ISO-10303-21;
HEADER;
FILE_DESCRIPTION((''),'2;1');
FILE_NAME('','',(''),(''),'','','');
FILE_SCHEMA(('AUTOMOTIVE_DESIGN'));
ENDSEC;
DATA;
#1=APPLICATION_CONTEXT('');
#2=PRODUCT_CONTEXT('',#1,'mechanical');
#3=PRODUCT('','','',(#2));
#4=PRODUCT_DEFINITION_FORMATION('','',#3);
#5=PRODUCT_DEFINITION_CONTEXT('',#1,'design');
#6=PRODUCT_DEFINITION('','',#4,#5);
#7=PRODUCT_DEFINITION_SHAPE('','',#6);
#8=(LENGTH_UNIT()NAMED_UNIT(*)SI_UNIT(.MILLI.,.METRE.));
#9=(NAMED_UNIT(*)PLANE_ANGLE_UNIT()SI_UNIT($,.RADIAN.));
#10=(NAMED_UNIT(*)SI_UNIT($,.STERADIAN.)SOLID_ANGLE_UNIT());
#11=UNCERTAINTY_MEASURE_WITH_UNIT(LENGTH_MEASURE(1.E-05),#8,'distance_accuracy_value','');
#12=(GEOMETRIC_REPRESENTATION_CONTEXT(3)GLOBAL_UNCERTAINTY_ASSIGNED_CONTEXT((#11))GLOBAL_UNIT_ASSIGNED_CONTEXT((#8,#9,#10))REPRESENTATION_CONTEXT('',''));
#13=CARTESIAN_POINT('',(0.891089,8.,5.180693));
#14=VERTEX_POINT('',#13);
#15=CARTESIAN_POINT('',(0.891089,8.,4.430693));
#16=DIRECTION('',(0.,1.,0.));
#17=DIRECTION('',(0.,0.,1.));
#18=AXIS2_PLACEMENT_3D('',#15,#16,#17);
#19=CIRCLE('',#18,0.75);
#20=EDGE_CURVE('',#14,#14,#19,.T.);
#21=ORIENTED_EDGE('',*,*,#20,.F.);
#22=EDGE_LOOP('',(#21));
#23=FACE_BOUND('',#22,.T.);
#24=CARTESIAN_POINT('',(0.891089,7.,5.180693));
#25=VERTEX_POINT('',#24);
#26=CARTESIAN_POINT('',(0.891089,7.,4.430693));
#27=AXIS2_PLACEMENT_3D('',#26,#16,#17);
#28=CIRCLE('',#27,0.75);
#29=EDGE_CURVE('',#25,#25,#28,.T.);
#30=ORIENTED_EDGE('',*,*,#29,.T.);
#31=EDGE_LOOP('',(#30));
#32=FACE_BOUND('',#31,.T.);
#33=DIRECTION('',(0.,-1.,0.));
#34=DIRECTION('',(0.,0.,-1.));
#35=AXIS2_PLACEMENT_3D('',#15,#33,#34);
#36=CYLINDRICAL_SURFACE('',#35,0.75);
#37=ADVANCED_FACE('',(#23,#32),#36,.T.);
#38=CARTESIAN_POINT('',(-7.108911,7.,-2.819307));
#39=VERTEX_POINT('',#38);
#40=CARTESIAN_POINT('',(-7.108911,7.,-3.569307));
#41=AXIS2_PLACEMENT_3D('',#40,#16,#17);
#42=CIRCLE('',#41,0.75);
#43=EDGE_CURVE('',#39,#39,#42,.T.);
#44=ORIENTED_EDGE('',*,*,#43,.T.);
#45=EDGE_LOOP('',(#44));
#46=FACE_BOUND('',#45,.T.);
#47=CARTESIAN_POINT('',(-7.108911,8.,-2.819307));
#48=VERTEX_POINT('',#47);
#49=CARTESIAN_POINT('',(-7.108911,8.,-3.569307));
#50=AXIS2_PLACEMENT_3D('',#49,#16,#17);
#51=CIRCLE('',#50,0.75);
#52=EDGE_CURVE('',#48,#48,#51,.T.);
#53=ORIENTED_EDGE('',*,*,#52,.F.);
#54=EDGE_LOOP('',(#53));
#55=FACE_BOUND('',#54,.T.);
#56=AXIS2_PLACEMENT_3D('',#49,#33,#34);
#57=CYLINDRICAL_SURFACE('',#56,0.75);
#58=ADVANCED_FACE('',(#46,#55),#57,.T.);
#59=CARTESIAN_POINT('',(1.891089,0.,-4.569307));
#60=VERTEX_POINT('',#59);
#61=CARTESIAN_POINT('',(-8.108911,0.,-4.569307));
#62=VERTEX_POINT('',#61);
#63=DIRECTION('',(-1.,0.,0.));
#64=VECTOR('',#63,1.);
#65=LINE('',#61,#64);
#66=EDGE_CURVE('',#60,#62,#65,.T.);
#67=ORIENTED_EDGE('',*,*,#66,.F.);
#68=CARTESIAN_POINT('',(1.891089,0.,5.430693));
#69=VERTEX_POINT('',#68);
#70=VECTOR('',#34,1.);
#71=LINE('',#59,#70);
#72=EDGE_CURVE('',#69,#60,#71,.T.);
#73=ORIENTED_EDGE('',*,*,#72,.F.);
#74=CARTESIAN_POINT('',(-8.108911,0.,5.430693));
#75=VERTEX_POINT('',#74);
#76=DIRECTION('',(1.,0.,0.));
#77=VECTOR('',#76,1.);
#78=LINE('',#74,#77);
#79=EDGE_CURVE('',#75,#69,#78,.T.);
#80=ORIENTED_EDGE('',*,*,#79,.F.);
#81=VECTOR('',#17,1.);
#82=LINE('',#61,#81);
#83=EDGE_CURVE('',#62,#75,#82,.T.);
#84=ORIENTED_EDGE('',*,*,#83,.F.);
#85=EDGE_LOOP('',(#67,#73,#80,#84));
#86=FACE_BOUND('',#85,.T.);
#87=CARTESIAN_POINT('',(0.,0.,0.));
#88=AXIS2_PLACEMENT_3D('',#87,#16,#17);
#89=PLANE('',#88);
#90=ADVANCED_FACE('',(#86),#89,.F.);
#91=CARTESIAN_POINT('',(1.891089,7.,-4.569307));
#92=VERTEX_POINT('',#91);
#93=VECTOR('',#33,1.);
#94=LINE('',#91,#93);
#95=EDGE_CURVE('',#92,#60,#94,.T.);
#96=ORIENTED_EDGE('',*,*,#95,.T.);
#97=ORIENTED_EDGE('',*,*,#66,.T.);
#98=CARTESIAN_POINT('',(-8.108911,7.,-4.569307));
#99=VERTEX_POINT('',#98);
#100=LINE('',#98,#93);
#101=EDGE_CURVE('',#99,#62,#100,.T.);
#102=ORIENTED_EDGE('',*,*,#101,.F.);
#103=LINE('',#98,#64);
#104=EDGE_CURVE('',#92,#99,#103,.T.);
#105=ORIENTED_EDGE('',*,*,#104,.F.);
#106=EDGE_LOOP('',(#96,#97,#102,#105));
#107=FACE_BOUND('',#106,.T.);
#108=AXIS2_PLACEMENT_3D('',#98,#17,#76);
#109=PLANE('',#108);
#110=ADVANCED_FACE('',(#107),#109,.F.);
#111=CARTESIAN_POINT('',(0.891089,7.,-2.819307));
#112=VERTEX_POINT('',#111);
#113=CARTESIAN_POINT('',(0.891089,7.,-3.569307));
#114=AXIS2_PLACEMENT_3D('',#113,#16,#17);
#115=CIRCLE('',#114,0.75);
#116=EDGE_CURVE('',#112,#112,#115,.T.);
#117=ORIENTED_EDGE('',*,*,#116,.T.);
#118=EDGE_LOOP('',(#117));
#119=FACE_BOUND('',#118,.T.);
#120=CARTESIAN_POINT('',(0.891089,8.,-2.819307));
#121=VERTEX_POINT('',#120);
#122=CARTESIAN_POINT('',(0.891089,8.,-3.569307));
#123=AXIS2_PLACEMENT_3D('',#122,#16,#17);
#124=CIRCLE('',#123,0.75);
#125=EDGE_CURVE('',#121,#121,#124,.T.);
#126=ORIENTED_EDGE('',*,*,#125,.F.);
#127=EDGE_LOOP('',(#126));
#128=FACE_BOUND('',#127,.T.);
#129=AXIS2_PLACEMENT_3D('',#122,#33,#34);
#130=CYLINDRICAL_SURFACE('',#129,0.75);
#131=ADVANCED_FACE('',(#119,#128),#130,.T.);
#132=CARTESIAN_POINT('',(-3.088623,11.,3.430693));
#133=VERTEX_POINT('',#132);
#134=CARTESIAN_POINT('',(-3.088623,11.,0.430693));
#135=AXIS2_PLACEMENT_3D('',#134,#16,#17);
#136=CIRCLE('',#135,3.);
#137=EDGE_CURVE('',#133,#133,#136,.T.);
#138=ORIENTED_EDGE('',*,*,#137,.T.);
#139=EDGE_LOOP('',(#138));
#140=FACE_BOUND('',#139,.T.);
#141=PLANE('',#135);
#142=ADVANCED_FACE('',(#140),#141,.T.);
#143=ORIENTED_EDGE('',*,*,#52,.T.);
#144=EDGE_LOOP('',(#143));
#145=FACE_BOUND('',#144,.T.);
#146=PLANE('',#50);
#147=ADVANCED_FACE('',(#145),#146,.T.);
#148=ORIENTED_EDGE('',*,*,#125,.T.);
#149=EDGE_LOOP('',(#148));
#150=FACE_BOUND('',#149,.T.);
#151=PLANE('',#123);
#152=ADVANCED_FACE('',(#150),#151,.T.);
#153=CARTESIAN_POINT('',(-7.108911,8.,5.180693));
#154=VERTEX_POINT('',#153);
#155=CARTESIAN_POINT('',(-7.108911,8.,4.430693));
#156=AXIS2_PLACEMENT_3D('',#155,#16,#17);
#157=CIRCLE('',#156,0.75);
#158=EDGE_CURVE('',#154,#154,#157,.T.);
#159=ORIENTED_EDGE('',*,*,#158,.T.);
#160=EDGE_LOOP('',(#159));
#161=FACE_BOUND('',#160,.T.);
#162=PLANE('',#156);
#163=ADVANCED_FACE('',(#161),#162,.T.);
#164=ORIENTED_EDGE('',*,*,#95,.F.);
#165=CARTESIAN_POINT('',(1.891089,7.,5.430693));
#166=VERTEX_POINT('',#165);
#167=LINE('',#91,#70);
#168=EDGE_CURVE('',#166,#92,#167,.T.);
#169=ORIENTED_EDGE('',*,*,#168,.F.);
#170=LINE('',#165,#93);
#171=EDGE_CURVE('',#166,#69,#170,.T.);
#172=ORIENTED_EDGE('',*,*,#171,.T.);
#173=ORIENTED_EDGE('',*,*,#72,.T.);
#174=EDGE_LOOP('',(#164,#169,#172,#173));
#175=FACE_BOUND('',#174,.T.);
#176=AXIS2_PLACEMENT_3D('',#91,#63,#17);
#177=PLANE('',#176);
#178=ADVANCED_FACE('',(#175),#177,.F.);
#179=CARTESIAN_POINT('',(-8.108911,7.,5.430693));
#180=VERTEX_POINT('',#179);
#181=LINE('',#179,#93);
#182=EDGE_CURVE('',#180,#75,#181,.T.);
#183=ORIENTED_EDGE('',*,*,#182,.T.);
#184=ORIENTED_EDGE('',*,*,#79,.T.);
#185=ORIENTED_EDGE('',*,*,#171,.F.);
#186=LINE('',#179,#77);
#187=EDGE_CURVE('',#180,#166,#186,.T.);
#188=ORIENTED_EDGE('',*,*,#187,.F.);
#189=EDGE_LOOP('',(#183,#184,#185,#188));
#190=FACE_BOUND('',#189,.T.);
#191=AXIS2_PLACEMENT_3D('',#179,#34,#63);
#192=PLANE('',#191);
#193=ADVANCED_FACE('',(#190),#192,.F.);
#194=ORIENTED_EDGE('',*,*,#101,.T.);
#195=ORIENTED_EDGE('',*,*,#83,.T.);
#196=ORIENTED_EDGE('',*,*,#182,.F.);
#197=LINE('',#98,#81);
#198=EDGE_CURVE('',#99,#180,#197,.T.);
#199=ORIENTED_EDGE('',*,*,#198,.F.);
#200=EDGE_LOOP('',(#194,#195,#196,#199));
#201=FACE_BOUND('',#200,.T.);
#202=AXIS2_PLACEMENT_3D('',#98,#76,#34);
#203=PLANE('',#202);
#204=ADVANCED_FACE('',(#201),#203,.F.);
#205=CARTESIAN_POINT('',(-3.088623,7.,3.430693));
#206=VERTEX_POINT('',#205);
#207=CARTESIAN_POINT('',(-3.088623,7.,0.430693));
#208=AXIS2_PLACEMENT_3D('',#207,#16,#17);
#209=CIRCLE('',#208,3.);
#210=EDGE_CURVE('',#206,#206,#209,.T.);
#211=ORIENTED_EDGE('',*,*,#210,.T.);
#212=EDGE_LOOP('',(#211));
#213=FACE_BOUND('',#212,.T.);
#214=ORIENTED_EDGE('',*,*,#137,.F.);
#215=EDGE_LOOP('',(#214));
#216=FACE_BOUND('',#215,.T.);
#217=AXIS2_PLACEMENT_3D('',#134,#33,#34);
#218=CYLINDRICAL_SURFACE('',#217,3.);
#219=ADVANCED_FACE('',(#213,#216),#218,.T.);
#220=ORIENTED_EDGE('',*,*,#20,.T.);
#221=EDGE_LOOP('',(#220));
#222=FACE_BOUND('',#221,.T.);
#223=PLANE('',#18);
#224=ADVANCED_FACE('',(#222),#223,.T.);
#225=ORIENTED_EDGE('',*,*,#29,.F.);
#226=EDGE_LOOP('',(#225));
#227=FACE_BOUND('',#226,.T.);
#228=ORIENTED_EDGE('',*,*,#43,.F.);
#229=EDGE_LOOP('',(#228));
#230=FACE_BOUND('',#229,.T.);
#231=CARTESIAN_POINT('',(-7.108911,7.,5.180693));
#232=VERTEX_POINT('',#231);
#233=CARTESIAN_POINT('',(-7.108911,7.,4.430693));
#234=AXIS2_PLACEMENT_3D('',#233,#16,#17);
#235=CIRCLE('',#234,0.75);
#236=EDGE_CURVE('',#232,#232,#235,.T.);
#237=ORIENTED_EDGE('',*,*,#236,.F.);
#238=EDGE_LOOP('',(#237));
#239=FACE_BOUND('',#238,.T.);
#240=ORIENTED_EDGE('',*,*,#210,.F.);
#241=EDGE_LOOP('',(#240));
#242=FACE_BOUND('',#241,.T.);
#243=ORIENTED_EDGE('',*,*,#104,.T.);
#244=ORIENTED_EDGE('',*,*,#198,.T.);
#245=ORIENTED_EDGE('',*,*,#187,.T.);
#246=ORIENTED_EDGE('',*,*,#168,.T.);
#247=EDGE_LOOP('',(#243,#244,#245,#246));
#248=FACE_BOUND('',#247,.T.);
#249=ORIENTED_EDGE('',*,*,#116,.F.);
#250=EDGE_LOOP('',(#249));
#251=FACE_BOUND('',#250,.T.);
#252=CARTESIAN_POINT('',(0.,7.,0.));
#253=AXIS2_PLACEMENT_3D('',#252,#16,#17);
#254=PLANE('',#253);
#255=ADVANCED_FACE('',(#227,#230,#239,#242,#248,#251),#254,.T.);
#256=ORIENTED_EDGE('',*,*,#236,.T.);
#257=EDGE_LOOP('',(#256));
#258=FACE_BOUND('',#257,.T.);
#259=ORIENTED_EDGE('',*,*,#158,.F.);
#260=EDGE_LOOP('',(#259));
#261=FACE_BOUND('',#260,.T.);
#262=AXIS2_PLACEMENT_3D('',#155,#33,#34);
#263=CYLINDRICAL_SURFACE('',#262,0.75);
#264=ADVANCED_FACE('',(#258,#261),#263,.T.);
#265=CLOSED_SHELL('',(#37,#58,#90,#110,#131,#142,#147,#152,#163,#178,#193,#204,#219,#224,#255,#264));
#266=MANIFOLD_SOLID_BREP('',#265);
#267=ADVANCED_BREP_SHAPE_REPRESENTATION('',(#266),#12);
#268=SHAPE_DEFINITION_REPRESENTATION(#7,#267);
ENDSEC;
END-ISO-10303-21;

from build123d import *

# Parameters (mm, degrees)
SKETCH1_W           = 10
SKETCH1_H           = 10
BOSS_EXTRUDE1_DEPTH = 7
SKETCH3_R           = 0.75
BOSS_EXTRUDE2_DEPTH = 1
SKETCH4_R           = 3
BOSS_EXTRUDE4_DEPTH = 4


with BuildPart() as part:
    # Sketch1 → Boss-Extrude1 (new body)
    with BuildSketch(Plane(origin=(0, 0, 0), x_dir=(1, 0, 0), z_dir=(0, 1, 0))):
        with Locations((-3.108910891, -0.430693069)):
            Rectangle(SKETCH1_W, SKETCH1_H)
    extrude(amount=BOSS_EXTRUDE1_DEPTH)

    # Sketch3 → Boss-Extrude2 (add)
    with BuildSketch(Plane(origin=(0, 7, 0), x_dir=(1, 0, 0), z_dir=(0, 1, 0))):
        with Locations((-7.108910891, 3.569306931)):
            Circle(SKETCH3_R)
        with Locations((-7.108910891, -4.430693069)):
            Circle(SKETCH3_R)
        with Locations((0.891089109, -4.430693069)):
            Circle(SKETCH3_R)
        with Locations((0.891089109, 3.569306931)):
            Circle(SKETCH3_R)
    extrude(amount=BOSS_EXTRUDE2_DEPTH)

    # Sketch4 → Boss-Extrude4 (add)
    with BuildSketch(Plane(origin=(0, 7, 0), x_dir=(1, 0, 0), z_dir=(0, 1, 0))):
        with Locations((-3.088623083, -0.430693069)):
            Circle(SKETCH4_R)
    extrude(amount=BOSS_EXTRUDE4_DEPTH)


solid = part.part
